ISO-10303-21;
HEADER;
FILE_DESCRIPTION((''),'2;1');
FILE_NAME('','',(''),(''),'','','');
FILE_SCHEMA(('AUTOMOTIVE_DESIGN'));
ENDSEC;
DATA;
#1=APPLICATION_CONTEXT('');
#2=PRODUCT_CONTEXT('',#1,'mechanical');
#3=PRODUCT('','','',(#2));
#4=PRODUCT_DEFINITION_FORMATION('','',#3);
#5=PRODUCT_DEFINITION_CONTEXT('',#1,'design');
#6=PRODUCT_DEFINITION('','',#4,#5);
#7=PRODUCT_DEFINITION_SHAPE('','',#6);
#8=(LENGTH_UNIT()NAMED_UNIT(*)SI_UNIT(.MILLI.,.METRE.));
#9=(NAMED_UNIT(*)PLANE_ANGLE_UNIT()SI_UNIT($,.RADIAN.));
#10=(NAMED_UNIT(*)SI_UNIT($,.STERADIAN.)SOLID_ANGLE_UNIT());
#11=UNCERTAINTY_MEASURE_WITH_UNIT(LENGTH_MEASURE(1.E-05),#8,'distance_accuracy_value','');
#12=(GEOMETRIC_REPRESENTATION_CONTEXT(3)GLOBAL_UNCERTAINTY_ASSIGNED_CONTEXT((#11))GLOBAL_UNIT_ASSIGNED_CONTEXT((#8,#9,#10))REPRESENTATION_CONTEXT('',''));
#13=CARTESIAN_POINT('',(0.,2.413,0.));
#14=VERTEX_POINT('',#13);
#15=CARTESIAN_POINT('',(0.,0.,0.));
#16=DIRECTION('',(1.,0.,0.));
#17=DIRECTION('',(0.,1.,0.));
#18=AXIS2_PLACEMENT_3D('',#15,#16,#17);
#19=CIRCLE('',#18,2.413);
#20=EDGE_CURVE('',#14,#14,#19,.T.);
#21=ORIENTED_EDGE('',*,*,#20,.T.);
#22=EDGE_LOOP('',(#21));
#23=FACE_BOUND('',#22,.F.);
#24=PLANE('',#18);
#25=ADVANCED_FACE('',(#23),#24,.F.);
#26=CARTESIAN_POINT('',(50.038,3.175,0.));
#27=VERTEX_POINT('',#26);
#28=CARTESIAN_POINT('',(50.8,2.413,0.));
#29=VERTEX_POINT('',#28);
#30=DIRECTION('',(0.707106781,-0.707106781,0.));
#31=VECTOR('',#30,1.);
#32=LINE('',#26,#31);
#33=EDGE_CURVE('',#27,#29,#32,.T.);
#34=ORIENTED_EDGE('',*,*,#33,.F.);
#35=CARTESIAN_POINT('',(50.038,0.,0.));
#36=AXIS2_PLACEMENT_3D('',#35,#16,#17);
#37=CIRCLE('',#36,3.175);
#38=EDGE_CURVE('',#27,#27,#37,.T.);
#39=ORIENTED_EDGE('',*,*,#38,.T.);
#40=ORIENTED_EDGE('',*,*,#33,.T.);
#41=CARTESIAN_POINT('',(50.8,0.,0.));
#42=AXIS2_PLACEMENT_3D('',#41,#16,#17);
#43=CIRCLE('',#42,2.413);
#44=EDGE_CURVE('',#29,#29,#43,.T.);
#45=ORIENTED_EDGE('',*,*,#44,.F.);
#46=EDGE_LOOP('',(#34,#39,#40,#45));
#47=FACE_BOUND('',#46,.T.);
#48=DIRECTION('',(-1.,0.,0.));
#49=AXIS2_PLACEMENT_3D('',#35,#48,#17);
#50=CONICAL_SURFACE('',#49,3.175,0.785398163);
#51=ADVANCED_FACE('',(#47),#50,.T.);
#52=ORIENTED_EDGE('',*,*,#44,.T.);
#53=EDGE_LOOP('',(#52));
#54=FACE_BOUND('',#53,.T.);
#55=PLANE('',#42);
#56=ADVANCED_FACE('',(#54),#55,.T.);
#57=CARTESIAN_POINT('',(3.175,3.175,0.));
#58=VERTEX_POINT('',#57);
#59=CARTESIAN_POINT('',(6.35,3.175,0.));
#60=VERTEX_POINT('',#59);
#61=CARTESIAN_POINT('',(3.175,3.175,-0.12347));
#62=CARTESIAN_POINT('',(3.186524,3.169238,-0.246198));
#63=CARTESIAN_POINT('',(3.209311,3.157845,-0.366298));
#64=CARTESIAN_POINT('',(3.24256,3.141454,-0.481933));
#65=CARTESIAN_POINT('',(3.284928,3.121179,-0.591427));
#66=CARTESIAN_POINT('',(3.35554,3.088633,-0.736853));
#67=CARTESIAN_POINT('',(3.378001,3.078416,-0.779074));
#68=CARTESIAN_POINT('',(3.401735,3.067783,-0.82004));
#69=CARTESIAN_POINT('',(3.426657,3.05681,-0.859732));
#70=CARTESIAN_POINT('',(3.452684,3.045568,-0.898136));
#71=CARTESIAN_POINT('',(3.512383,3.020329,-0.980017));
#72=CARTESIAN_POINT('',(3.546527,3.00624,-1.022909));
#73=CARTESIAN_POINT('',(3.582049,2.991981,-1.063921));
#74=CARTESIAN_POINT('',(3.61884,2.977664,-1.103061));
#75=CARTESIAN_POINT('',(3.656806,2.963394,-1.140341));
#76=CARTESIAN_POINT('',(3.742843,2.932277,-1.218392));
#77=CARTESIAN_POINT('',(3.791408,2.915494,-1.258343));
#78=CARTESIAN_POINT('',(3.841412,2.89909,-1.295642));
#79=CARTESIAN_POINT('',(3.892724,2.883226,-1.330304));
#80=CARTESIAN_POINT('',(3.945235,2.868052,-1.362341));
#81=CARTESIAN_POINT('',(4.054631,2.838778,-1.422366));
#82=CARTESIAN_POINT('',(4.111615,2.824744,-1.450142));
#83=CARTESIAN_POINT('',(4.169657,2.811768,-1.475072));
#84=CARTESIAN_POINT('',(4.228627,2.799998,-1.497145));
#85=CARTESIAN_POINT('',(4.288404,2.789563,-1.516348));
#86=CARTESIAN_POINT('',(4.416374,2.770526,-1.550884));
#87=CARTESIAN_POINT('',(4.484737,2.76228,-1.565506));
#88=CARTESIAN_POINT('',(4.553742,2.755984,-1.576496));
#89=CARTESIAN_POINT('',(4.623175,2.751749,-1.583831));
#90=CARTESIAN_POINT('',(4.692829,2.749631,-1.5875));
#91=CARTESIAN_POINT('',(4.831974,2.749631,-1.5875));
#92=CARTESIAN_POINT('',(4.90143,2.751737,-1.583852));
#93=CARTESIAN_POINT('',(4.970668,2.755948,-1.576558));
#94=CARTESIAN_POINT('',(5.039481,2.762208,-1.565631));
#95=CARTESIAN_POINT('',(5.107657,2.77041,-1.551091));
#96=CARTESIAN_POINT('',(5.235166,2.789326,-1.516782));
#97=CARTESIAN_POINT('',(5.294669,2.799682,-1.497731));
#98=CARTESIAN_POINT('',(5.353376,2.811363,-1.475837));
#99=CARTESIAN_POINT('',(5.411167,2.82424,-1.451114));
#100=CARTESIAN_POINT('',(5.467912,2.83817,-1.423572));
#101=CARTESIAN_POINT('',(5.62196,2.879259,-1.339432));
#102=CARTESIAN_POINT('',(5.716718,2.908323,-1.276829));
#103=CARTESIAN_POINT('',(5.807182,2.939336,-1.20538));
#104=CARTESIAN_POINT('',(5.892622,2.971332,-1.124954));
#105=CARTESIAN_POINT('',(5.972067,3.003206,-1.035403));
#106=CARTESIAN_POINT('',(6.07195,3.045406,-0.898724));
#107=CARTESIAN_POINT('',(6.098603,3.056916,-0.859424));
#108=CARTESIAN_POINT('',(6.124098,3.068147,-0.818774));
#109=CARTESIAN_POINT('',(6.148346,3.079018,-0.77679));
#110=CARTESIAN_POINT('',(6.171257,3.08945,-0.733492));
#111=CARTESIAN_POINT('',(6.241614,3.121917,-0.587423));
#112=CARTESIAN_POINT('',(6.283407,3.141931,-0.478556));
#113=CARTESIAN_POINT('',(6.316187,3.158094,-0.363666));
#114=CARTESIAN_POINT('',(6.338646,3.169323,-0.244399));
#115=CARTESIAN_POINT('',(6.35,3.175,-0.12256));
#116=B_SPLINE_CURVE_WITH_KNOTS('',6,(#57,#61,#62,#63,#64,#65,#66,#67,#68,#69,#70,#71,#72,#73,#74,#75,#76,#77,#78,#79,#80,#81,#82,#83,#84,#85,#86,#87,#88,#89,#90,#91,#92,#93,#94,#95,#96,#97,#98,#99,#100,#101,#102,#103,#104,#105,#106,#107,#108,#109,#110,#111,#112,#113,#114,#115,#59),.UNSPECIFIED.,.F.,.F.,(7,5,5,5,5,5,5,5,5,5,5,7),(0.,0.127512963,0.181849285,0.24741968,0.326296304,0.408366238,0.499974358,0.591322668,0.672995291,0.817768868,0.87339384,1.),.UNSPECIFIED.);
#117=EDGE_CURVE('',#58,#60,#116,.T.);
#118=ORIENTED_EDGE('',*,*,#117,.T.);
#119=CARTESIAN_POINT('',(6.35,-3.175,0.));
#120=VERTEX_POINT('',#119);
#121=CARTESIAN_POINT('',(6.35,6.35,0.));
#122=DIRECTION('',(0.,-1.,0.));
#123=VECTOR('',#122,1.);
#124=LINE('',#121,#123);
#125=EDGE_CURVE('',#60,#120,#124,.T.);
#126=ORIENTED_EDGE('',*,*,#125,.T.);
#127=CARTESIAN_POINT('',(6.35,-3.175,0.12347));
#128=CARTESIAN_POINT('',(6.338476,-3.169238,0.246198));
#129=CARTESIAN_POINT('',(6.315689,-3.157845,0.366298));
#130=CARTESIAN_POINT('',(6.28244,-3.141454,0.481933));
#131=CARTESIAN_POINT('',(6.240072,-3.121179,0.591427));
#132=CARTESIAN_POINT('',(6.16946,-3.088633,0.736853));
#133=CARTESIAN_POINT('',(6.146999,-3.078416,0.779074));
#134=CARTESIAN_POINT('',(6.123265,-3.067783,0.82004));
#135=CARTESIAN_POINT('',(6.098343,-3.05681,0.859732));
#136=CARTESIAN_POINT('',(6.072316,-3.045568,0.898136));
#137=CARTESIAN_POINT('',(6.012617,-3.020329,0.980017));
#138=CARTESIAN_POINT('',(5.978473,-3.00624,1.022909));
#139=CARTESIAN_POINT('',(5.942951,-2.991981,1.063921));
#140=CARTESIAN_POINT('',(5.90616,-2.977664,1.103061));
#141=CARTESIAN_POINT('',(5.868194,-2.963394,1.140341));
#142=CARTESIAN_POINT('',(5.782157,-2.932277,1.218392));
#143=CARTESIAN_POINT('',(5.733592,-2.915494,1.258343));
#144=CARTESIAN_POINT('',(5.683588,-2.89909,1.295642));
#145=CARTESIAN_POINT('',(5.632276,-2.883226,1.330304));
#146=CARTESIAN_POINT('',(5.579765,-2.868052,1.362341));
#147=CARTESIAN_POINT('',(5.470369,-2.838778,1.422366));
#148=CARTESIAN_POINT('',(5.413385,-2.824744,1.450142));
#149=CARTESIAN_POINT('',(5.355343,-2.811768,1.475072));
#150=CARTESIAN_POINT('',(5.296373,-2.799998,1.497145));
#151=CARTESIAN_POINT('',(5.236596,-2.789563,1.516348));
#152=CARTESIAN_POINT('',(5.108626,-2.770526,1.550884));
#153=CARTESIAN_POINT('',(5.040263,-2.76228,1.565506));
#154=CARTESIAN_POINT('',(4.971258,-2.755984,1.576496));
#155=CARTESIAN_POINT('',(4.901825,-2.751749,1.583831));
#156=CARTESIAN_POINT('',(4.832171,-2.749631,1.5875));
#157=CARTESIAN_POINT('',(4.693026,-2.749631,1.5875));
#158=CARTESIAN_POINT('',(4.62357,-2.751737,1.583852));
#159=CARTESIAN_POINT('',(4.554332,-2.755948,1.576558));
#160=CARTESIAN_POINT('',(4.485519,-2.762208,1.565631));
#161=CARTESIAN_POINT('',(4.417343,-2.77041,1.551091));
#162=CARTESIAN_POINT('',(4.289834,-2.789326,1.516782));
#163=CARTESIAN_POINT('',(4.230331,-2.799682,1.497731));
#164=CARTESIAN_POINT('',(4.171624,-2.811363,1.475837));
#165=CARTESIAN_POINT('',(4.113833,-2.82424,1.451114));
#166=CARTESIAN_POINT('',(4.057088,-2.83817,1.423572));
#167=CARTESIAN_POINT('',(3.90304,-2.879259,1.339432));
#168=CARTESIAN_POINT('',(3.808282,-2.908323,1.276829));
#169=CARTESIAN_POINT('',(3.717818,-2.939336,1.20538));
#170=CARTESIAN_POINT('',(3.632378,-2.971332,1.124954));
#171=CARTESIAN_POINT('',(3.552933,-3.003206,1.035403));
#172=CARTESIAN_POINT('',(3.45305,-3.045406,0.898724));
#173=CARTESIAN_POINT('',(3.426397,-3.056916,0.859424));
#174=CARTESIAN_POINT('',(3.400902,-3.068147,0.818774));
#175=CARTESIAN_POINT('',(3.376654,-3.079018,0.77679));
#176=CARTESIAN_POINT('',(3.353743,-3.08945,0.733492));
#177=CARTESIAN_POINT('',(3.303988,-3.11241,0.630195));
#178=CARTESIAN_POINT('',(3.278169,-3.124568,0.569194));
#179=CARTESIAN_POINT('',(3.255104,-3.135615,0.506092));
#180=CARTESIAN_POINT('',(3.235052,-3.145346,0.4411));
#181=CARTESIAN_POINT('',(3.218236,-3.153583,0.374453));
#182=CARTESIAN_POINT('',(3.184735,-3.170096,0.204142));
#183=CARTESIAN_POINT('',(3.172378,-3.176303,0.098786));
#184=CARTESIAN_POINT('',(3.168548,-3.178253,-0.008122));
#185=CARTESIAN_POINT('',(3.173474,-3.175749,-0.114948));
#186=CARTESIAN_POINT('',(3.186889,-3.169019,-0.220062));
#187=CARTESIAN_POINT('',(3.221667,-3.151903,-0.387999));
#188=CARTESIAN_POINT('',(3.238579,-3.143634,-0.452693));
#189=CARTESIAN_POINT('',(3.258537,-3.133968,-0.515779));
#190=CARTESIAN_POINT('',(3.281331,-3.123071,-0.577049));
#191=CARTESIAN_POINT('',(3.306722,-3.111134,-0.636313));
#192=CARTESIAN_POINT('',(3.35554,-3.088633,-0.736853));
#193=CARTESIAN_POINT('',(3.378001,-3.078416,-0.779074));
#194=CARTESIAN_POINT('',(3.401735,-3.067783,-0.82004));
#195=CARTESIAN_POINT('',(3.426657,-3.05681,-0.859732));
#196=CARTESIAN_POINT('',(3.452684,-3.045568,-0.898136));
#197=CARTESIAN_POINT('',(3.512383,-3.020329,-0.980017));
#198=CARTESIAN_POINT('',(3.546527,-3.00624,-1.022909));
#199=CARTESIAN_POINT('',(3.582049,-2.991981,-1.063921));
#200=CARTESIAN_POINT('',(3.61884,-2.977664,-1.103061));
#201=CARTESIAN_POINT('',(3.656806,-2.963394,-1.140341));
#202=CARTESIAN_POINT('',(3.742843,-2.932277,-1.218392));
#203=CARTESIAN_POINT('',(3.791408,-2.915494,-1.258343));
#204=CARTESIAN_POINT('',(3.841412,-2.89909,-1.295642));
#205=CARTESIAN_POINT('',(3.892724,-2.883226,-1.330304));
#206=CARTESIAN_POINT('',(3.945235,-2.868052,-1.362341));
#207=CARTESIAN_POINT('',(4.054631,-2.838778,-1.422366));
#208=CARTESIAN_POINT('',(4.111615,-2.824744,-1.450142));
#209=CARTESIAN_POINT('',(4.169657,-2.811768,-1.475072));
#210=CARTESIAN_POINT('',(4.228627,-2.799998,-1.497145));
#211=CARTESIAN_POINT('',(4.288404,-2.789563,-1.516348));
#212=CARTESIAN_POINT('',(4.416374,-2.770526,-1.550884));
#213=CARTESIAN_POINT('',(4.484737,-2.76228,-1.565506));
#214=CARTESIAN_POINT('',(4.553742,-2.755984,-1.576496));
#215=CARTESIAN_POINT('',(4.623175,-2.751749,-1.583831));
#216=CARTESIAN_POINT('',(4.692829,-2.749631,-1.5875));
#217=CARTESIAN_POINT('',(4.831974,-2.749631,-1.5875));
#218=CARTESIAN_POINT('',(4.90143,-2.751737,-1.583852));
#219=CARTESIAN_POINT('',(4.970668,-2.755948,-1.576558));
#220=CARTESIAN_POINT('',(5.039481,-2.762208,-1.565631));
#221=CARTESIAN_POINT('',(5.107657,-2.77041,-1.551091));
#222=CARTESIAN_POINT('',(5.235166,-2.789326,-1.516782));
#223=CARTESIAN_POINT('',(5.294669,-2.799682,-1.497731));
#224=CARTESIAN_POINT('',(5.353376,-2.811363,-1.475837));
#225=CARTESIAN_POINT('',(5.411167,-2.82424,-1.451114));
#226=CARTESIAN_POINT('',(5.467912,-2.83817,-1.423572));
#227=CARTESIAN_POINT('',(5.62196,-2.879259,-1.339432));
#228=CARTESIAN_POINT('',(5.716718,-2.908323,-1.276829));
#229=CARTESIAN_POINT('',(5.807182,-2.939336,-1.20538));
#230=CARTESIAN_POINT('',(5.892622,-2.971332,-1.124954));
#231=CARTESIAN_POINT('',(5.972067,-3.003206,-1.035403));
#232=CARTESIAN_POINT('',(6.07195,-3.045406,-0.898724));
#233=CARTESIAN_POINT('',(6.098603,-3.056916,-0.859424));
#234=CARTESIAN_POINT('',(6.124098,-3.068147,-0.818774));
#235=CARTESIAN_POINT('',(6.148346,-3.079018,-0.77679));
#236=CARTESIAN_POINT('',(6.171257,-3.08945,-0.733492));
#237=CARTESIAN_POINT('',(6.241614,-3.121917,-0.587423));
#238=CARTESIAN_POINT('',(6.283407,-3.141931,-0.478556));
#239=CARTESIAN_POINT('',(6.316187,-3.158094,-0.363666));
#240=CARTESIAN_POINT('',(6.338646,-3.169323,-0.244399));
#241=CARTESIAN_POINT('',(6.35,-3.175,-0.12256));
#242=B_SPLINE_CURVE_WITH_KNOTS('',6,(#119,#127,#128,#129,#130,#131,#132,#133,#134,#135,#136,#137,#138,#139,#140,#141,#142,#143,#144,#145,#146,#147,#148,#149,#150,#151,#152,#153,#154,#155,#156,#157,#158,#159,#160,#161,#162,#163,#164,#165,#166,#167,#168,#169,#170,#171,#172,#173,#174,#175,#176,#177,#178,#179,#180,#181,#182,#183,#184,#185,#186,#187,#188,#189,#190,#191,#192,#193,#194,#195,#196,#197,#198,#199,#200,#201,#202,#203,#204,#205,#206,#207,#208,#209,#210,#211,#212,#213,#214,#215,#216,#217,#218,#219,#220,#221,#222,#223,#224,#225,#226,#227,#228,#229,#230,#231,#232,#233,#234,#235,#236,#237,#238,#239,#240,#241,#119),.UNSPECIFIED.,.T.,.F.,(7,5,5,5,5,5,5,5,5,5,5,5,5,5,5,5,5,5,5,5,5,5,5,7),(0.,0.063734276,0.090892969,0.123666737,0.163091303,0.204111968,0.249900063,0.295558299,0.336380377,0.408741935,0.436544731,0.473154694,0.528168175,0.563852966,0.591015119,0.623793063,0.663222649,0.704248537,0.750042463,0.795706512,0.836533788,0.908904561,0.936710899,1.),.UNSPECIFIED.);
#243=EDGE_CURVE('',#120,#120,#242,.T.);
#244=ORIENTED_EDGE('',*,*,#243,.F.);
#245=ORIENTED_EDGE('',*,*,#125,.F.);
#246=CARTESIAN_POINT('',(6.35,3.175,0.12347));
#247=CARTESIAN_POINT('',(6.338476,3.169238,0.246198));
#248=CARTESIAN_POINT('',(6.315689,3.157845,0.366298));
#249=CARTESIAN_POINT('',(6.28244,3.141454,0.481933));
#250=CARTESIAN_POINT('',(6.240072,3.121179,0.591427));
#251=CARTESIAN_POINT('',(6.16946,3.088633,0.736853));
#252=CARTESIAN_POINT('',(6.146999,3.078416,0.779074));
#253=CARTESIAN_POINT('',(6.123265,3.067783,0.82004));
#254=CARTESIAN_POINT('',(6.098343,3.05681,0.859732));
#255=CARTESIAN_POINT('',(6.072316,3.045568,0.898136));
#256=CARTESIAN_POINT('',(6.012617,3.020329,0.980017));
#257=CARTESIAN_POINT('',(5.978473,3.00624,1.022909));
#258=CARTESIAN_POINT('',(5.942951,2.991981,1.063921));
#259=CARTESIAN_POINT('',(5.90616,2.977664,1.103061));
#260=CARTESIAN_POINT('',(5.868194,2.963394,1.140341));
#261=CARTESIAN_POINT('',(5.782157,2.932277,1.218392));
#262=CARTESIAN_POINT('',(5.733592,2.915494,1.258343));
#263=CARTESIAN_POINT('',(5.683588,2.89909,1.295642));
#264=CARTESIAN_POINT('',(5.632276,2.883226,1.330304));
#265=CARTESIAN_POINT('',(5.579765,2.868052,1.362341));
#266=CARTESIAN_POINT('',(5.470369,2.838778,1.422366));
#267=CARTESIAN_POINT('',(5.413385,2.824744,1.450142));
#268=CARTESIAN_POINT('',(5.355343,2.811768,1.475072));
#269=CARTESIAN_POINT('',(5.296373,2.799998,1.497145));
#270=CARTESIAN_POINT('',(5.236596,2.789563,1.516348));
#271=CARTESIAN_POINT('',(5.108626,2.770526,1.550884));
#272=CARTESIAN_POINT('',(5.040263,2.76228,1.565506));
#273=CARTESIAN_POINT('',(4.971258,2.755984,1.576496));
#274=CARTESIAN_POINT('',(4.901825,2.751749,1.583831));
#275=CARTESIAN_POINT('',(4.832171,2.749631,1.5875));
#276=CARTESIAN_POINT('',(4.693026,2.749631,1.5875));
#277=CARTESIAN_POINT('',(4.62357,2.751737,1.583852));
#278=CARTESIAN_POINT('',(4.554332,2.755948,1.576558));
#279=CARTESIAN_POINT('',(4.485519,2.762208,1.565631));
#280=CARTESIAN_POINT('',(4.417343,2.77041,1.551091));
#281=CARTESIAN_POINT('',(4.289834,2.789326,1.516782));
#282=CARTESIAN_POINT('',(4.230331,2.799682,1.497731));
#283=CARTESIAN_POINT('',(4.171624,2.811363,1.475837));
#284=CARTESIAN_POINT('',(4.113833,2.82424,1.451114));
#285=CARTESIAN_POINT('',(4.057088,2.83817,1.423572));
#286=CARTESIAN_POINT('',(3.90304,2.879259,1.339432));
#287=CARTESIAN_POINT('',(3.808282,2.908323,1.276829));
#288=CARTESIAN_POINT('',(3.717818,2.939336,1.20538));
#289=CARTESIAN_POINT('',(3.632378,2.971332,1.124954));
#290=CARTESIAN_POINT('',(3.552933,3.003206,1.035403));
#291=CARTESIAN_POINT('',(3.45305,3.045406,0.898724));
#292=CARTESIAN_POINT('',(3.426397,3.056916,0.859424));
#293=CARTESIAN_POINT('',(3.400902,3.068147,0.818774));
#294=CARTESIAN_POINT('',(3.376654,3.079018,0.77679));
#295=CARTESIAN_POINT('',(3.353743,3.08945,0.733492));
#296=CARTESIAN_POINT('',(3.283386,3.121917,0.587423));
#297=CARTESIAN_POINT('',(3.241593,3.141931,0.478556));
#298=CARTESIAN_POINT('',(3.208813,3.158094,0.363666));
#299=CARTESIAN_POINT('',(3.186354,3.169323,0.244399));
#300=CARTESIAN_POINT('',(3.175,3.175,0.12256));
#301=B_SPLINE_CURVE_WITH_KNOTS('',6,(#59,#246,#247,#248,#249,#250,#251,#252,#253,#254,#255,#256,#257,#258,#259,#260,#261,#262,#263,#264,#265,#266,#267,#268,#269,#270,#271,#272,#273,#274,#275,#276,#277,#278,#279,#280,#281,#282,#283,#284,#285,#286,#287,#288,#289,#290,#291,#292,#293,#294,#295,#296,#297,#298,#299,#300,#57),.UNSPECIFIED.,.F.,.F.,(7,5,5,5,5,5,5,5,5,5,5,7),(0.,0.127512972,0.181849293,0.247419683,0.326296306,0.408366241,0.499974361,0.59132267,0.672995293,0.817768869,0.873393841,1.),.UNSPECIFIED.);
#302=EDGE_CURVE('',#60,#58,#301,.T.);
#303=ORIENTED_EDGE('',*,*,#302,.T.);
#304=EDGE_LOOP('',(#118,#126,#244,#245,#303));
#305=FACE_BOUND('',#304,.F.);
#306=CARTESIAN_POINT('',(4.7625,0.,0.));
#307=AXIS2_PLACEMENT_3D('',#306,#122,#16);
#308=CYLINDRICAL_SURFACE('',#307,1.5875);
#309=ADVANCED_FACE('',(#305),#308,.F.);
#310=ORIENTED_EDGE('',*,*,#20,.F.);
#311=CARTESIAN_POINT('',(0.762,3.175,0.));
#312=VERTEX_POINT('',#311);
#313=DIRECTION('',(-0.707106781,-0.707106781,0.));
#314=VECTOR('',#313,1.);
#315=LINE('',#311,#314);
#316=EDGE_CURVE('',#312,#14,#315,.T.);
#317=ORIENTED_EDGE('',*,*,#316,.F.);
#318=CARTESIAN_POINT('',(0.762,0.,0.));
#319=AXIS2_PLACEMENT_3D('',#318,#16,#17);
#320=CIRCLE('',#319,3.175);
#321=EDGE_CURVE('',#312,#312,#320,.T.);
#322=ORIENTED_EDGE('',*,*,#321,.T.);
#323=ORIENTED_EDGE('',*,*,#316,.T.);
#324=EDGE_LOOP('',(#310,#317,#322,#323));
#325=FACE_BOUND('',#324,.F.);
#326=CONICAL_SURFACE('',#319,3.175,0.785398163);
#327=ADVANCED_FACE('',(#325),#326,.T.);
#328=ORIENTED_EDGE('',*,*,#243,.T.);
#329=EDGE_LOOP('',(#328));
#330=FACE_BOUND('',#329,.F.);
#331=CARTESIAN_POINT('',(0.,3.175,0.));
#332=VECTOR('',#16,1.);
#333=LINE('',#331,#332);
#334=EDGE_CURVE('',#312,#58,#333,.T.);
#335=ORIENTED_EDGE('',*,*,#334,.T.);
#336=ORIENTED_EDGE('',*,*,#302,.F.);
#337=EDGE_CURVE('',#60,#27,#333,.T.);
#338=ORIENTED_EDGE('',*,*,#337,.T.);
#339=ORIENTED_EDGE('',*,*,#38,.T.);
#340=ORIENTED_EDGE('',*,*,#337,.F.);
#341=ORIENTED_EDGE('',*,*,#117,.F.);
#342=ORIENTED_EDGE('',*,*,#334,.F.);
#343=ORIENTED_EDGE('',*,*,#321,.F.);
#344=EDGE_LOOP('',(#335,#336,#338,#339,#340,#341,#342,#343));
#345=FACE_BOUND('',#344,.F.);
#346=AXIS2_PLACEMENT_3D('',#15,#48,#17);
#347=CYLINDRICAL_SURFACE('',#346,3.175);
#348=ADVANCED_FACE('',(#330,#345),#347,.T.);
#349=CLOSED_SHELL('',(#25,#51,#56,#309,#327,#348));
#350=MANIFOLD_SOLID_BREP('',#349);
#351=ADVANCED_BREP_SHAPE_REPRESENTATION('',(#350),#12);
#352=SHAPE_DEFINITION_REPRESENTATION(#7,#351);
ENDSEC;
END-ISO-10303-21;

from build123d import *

# Parameters (mm, degrees)
F0_R     = 3.175
F1_DEPTH = 50.8
F2_SIZE  = 0.762
F3_R     = 1.5875
F4_DEPTH = 6.35


with BuildPart() as f1:
    # F0 (on Right) → F1 (new body)
    with BuildSketch(Plane.YZ):
        Circle(F0_R)
    extrude(amount=F1_DEPTH)

    # F2
    f2_edges = [f1.edges().sort_by_distance(p)[0] for p in [
        (25.4, 3.175, 0),
        (0, -3.175, 0),
        (50.8, -3.175, 0),
    ]]
    chamfer(f2_edges, length=F2_SIZE)


with BuildPart() as f4:
    # F3 (on Front) → F4 (new body, symmetric)
    with BuildSketch(Plane.XZ):
        with Locations((4.7625, 0)):
            Circle(F3_R)
    extrude(amount=F4_DEPTH, both=True)


with BuildPart() as f1_1:
    add(f1.part)

    # F5: cut F4
    add(f4.part, mode=Mode.SUBTRACT)


solid = f1_1.part
